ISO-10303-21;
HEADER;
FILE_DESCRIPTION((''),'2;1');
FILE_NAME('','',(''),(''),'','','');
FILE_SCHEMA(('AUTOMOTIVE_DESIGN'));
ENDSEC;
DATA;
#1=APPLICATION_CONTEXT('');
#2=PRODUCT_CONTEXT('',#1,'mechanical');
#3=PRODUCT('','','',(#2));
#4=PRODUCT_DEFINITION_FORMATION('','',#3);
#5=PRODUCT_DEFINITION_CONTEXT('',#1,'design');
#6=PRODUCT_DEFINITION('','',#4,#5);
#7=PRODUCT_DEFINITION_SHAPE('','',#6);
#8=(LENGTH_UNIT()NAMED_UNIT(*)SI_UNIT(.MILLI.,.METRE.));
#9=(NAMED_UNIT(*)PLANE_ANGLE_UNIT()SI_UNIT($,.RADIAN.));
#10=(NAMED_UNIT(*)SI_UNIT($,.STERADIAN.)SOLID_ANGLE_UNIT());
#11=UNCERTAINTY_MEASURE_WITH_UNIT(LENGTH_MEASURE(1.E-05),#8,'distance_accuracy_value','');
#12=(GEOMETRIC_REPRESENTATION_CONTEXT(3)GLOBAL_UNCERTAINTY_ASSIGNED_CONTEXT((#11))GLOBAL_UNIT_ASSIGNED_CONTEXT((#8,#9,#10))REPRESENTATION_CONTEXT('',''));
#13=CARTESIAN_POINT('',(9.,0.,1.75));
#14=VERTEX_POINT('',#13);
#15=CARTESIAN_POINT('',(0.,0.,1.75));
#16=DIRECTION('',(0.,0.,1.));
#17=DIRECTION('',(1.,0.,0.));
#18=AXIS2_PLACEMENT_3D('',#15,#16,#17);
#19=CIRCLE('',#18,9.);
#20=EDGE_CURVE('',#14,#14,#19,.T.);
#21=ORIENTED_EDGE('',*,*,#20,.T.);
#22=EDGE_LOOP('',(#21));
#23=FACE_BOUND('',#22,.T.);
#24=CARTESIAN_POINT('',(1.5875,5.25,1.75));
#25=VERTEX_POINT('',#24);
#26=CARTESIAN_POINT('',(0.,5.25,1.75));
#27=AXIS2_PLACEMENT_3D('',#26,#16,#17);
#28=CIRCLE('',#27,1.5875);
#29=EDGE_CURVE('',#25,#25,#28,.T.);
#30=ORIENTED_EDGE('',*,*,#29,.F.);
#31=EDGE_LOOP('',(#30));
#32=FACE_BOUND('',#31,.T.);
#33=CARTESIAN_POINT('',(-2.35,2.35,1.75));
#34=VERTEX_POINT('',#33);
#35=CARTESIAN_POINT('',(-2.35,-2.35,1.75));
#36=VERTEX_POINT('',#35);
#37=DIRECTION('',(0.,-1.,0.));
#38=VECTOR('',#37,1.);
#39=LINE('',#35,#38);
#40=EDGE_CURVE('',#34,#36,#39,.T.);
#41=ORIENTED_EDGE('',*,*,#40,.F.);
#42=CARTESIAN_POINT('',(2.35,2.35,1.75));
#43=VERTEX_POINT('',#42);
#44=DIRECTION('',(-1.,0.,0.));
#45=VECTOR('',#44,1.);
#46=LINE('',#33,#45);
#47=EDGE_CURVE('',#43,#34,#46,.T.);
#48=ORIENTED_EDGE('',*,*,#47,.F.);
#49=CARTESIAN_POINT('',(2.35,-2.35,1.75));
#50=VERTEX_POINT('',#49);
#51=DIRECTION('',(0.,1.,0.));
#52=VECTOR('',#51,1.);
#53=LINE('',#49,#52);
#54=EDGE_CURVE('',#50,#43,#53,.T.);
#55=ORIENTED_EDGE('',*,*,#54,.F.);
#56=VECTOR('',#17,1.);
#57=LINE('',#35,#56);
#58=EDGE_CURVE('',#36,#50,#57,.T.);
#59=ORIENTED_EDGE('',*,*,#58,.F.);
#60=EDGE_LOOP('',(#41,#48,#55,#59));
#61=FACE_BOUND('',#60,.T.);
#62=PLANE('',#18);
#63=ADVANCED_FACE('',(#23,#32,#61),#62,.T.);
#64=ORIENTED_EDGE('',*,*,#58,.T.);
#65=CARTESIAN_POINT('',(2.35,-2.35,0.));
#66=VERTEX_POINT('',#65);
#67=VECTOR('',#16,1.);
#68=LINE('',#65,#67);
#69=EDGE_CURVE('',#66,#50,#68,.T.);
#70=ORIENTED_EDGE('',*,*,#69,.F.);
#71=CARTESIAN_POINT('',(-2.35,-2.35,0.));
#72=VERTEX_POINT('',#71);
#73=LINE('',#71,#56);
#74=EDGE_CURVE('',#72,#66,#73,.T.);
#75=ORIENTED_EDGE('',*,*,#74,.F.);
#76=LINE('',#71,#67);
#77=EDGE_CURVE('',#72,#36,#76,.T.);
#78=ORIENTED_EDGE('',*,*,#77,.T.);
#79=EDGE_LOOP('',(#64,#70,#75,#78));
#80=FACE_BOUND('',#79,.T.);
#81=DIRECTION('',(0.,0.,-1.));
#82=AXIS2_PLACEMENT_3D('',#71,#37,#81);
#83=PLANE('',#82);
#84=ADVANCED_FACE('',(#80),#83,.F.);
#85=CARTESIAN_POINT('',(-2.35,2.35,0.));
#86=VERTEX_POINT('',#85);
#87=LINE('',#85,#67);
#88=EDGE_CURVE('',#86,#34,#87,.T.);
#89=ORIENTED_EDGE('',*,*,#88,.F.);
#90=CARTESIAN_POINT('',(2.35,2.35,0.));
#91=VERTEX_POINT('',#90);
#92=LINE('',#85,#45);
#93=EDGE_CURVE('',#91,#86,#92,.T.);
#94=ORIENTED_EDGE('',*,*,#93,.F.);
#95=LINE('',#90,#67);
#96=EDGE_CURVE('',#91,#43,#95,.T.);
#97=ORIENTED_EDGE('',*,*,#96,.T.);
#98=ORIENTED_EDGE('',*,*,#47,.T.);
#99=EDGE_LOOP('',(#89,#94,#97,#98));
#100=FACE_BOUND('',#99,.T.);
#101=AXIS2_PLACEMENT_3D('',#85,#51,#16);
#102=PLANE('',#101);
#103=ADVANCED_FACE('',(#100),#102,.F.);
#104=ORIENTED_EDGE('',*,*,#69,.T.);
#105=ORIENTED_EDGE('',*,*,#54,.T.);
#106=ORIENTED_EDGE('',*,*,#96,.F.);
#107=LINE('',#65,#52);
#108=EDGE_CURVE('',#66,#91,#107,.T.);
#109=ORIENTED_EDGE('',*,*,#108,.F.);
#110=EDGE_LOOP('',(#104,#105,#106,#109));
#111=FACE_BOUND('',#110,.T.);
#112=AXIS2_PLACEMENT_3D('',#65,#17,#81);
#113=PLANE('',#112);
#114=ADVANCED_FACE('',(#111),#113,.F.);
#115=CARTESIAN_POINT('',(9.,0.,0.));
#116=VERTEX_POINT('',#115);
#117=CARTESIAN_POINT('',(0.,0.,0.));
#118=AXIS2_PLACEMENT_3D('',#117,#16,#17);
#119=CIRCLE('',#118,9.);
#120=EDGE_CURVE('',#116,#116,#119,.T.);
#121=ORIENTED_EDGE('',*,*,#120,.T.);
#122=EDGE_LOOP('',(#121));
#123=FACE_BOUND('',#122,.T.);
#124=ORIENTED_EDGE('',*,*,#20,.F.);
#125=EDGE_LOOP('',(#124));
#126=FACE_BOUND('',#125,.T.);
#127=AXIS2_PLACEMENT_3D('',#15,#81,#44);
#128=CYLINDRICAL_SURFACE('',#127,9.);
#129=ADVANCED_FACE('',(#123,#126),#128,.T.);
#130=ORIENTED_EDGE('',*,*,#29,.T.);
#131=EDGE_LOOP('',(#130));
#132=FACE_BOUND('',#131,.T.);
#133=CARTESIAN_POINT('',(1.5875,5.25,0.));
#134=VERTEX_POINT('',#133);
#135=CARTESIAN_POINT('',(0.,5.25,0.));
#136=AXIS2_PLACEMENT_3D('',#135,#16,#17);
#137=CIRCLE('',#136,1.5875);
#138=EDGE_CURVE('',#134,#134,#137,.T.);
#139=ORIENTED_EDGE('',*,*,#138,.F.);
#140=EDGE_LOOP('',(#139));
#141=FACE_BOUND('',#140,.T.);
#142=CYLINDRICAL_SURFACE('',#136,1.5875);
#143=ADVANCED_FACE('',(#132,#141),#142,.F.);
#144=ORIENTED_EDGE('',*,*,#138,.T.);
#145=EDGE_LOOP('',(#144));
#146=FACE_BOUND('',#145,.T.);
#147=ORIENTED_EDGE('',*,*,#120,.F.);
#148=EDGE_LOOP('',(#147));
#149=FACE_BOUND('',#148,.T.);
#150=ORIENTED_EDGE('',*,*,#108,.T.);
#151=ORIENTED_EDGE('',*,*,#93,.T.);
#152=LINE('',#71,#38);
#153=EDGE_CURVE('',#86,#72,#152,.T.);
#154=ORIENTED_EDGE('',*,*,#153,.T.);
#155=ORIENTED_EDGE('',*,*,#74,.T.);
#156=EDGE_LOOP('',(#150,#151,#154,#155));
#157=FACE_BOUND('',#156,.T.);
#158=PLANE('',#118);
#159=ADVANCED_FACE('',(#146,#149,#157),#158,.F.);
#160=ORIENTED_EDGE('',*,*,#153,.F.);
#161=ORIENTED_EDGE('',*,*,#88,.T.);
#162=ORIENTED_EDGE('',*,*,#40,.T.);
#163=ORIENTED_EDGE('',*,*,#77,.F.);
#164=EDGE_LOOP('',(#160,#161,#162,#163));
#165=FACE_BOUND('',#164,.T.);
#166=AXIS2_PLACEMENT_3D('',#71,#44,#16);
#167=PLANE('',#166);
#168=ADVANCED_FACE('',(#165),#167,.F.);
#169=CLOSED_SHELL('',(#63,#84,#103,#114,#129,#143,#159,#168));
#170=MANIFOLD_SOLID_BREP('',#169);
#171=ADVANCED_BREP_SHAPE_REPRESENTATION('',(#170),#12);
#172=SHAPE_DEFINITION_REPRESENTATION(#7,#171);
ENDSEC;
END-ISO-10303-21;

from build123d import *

# Parameters (mm, degrees)
SKETCH1_R           = 9
BOSS_EXTRUDE1_DEPTH = 1.75
SKETCH2_R           = 1.5875
SKETCH2_W           = 4.7
SKETCH2_H           = 4.7
CUT_EXTRUDE1_DEPTH  = 2.75


with BuildPart() as part:
    # Sketch1 → Boss-Extrude1 (new body)
    with BuildSketch(Plane.XY):
        Circle(SKETCH1_R)
    extrude(amount=BOSS_EXTRUDE1_DEPTH)

    # Sketch2 → Cut-Extrude1 (cut, through all)
    with BuildSketch(Plane.XY.offset(1.75)):
        with Locations((0, 5.25)):
            Circle(SKETCH2_R)
        Rectangle(SKETCH2_W, SKETCH2_H)
    extrude(amount=-CUT_EXTRUDE1_DEPTH, mode=Mode.SUBTRACT)


solid = part.part
